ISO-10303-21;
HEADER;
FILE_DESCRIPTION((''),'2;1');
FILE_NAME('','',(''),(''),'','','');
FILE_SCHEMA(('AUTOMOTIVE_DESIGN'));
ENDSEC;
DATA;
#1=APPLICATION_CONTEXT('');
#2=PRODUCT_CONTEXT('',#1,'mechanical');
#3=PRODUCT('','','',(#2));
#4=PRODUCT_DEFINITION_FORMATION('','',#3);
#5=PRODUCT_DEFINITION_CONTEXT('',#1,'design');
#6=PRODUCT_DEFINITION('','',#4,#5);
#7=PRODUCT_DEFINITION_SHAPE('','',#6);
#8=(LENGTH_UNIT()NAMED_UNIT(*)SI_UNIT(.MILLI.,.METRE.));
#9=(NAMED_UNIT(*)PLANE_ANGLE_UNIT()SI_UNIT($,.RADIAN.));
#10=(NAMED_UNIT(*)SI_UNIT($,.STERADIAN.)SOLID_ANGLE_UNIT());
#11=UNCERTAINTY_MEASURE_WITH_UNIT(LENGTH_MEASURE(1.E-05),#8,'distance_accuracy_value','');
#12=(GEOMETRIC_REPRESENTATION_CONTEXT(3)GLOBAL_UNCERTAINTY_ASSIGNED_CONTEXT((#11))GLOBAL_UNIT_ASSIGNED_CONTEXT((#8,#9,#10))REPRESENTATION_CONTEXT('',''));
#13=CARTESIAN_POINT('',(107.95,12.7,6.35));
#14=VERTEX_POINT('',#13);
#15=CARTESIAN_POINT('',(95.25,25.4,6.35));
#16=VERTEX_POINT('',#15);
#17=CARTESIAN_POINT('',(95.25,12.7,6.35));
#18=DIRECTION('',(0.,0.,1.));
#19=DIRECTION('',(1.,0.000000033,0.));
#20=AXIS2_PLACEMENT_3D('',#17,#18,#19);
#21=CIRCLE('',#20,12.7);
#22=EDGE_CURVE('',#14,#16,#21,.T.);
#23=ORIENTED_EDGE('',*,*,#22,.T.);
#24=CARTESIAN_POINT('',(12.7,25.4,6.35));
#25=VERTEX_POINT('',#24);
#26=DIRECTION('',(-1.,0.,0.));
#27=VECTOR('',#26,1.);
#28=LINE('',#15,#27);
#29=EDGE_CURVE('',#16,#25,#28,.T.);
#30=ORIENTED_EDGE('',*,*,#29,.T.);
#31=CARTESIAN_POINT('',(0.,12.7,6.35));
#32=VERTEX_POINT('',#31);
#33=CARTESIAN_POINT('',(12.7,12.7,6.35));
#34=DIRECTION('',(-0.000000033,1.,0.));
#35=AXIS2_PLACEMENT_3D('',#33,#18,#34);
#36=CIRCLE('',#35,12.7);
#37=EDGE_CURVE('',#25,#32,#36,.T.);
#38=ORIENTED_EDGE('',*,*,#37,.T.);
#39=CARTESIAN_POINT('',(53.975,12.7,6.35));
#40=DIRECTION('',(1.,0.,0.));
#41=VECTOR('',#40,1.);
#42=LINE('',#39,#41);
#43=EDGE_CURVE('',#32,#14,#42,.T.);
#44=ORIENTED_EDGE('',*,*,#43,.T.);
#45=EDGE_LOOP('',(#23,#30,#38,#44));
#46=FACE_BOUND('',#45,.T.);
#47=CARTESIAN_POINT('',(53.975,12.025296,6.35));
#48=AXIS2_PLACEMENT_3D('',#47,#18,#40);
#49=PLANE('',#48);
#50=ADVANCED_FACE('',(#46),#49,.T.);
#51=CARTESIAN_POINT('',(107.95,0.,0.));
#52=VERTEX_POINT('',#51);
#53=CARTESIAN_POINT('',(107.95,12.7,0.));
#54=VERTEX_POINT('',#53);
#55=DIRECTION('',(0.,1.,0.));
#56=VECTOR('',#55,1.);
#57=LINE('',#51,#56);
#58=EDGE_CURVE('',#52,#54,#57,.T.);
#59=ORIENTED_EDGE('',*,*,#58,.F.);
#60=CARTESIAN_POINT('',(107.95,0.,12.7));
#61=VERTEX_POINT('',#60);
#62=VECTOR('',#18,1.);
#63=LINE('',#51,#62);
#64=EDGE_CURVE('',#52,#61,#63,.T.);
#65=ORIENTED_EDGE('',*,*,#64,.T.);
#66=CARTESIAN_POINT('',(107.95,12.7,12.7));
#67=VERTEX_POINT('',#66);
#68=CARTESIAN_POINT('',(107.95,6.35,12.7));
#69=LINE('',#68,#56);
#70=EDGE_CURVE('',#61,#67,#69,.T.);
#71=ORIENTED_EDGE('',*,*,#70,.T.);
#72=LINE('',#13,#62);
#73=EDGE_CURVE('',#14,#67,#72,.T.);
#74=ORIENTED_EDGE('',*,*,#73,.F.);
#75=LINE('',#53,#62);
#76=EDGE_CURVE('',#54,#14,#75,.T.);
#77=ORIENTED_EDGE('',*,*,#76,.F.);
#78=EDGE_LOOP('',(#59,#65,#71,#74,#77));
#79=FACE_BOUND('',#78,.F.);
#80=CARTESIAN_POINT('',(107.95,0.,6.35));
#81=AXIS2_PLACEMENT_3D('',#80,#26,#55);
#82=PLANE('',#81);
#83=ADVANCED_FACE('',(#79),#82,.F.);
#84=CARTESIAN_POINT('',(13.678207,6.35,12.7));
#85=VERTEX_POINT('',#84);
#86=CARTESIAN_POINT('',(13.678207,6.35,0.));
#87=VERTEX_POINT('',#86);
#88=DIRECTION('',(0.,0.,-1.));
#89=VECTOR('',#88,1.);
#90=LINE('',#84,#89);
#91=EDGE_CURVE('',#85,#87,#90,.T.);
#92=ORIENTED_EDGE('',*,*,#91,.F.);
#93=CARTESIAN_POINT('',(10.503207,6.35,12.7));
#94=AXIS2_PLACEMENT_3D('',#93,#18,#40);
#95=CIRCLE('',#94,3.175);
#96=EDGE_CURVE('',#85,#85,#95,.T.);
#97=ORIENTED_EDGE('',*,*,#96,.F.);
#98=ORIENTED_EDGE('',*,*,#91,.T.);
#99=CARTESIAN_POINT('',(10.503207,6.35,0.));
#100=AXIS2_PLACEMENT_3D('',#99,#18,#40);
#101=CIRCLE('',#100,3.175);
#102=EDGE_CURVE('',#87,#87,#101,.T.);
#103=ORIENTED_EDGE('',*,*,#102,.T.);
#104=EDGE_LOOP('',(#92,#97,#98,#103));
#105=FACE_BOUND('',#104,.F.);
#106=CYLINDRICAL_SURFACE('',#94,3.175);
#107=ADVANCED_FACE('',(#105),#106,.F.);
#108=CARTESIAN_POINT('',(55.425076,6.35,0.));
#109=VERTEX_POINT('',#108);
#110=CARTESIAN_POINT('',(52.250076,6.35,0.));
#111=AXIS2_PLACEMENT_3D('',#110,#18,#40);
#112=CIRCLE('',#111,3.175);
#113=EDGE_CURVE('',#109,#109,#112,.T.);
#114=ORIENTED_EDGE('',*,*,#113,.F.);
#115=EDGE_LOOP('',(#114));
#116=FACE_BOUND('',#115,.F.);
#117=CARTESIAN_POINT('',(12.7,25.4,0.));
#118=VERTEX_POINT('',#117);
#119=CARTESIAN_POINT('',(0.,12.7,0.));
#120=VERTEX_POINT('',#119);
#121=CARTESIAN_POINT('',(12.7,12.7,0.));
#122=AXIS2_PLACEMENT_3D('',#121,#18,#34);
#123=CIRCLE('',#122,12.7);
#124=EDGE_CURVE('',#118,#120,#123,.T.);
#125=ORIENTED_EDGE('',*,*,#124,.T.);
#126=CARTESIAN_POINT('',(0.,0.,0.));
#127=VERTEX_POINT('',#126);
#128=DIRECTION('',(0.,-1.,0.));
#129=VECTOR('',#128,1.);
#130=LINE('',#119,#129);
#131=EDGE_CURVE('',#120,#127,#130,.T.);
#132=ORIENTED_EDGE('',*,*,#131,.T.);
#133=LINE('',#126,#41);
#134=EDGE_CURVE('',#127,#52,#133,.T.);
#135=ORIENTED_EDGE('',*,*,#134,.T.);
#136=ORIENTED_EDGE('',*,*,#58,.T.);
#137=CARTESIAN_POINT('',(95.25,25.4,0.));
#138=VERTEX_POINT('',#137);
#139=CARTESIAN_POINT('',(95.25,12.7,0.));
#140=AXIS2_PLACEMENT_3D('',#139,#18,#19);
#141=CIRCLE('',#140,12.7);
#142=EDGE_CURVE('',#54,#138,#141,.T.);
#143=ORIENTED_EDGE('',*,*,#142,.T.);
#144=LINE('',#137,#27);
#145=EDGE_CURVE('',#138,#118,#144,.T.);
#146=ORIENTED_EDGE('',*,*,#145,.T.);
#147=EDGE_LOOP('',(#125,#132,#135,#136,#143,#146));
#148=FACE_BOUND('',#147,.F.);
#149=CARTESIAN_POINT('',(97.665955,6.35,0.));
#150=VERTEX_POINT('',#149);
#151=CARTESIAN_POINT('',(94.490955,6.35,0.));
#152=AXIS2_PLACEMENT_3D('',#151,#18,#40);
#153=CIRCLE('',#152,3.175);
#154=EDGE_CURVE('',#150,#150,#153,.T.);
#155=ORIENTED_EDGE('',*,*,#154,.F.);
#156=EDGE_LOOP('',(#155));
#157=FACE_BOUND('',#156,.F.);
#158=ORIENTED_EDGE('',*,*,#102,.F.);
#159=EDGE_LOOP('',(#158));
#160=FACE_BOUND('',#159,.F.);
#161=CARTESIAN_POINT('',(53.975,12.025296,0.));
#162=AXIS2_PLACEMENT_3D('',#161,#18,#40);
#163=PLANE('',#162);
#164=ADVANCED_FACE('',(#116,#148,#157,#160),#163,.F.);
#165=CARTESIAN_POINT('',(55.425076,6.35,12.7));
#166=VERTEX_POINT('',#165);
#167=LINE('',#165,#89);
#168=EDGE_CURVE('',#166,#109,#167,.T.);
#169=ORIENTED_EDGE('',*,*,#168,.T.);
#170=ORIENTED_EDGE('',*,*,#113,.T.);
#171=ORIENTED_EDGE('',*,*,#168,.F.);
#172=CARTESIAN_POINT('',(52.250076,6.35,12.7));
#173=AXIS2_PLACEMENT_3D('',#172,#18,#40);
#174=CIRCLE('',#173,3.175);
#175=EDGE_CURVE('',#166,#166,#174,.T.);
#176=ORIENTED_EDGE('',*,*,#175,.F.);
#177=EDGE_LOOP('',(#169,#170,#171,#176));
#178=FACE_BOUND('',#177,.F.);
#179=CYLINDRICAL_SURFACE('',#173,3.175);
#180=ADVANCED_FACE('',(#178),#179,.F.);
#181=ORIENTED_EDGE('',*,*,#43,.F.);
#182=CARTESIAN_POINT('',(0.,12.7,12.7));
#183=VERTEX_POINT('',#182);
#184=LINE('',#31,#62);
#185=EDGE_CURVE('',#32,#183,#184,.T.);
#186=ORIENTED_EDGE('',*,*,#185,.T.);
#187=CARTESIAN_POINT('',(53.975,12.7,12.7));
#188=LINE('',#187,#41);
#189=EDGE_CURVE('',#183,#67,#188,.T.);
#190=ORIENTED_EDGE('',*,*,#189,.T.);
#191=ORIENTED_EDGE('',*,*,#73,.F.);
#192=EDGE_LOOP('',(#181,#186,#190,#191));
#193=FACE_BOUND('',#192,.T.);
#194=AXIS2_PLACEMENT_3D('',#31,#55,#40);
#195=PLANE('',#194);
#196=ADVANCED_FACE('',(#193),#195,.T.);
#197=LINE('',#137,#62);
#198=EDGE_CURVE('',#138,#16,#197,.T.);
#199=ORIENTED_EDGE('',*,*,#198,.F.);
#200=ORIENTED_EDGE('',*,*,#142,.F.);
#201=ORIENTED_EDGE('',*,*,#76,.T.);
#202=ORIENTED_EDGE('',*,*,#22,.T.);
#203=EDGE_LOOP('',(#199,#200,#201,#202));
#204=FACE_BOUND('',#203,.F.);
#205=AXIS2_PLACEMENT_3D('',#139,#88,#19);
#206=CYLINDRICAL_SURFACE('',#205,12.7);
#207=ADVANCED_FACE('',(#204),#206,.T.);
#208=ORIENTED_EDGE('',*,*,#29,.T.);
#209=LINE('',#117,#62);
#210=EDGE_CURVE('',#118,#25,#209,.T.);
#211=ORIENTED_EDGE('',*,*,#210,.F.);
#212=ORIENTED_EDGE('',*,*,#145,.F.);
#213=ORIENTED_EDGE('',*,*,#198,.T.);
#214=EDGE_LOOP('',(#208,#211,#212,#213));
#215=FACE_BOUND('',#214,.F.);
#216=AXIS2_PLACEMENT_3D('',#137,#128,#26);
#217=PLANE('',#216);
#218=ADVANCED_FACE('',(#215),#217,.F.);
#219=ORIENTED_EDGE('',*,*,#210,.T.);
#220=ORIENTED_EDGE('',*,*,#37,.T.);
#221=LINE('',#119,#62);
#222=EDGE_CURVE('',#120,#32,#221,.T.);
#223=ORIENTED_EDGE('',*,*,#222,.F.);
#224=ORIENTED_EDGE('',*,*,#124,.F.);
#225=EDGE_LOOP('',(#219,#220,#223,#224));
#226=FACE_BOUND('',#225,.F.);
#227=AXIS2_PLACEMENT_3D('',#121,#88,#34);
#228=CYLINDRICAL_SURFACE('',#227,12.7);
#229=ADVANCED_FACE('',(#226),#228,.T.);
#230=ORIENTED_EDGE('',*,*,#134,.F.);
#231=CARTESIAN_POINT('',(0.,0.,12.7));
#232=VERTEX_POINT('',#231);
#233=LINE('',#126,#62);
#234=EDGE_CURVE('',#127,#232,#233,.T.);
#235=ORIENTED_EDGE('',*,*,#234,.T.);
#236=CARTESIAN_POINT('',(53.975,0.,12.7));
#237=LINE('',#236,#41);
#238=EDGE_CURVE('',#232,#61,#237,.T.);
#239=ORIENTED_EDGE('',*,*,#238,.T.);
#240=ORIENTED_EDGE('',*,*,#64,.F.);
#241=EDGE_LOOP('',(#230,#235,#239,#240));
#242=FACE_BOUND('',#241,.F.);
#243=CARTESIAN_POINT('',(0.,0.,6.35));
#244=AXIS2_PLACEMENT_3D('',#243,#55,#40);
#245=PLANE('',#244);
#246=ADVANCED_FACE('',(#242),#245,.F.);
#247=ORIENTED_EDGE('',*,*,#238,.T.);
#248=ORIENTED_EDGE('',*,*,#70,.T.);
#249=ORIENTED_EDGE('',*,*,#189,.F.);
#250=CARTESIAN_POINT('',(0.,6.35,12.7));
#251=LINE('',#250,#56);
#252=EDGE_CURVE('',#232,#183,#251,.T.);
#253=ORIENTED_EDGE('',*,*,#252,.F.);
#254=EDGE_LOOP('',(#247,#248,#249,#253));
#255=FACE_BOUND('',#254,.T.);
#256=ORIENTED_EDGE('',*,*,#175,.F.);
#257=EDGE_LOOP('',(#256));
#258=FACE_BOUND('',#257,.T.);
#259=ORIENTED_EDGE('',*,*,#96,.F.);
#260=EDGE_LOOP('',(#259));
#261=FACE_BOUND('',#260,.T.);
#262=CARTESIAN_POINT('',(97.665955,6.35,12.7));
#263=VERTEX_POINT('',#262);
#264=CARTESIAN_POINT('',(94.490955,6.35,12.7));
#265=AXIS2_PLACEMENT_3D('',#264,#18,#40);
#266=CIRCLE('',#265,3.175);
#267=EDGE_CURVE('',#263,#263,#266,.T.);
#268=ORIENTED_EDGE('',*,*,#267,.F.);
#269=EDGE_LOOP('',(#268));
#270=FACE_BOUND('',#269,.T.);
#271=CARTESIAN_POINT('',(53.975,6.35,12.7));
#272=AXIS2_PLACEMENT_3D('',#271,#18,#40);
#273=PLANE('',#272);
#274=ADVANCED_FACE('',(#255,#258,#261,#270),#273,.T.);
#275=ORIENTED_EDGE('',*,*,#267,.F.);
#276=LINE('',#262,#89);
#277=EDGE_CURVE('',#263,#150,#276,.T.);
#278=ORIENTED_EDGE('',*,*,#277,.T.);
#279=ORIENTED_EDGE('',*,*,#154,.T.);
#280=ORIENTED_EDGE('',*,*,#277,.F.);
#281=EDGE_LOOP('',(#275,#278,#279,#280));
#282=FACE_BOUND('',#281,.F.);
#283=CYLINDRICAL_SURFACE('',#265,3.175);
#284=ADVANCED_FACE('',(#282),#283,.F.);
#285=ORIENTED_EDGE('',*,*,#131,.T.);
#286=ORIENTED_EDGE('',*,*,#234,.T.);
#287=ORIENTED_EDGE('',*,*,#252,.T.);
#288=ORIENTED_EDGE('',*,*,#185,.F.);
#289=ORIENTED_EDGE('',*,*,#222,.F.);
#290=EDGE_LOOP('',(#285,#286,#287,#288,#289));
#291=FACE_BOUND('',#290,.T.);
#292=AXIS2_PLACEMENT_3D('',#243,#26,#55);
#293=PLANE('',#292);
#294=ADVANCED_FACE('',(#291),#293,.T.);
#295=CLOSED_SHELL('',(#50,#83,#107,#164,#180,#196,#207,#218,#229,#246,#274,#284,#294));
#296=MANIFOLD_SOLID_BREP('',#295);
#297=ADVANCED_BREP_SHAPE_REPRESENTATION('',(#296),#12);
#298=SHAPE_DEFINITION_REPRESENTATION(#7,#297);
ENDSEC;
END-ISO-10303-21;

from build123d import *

# Parameters (mm, degrees)
F1_DEPTH = 6.35
F2_W     = 107.95
F2_H     = 12.7
F3_DEPTH = 6.35
F4_R     = 3.175
F5_DEPTH = 25.4


with BuildPart() as f1:
    # F0 (on Top) → F1 (new body)
    with BuildSketch(Plane.XY):
        with BuildLine():
            Line((0, 12.7), (0, 0))
            Line((0, 0), (107.95, 0))
            Line((107.95, 0), (107.95, 12.7))
            ThreePointArc((107.95, 12.7), (104.230256, 21.680256), (95.25, 25.4))
            Line((95.25, 25.4), (12.7, 25.4))
            ThreePointArc((12.7, 25.4), (3.719744, 21.680256), (0, 12.7))
        make_face()
    extrude(amount=F1_DEPTH)

    # F2 (on face) → F3 (join)
    with BuildSketch(Plane.XY.offset(6.35)):
        with Locations((53.975, 6.35)):
            Rectangle(F2_W, F2_H)
    extrude(amount=F3_DEPTH)

    # F4 (on face) → F5 (cut)
    with BuildSketch(Plane.XY.offset(12.7)):
        with Locations((10.503207, 6.35)):
            Circle(F4_R)
        with Locations((52.250076, 6.35)):
            Circle(F4_R)
        with Locations((94.490955, 6.35)):
            Circle(F4_R)
    extrude(amount=-F5_DEPTH, mode=Mode.SUBTRACT)


solid = f1.part
